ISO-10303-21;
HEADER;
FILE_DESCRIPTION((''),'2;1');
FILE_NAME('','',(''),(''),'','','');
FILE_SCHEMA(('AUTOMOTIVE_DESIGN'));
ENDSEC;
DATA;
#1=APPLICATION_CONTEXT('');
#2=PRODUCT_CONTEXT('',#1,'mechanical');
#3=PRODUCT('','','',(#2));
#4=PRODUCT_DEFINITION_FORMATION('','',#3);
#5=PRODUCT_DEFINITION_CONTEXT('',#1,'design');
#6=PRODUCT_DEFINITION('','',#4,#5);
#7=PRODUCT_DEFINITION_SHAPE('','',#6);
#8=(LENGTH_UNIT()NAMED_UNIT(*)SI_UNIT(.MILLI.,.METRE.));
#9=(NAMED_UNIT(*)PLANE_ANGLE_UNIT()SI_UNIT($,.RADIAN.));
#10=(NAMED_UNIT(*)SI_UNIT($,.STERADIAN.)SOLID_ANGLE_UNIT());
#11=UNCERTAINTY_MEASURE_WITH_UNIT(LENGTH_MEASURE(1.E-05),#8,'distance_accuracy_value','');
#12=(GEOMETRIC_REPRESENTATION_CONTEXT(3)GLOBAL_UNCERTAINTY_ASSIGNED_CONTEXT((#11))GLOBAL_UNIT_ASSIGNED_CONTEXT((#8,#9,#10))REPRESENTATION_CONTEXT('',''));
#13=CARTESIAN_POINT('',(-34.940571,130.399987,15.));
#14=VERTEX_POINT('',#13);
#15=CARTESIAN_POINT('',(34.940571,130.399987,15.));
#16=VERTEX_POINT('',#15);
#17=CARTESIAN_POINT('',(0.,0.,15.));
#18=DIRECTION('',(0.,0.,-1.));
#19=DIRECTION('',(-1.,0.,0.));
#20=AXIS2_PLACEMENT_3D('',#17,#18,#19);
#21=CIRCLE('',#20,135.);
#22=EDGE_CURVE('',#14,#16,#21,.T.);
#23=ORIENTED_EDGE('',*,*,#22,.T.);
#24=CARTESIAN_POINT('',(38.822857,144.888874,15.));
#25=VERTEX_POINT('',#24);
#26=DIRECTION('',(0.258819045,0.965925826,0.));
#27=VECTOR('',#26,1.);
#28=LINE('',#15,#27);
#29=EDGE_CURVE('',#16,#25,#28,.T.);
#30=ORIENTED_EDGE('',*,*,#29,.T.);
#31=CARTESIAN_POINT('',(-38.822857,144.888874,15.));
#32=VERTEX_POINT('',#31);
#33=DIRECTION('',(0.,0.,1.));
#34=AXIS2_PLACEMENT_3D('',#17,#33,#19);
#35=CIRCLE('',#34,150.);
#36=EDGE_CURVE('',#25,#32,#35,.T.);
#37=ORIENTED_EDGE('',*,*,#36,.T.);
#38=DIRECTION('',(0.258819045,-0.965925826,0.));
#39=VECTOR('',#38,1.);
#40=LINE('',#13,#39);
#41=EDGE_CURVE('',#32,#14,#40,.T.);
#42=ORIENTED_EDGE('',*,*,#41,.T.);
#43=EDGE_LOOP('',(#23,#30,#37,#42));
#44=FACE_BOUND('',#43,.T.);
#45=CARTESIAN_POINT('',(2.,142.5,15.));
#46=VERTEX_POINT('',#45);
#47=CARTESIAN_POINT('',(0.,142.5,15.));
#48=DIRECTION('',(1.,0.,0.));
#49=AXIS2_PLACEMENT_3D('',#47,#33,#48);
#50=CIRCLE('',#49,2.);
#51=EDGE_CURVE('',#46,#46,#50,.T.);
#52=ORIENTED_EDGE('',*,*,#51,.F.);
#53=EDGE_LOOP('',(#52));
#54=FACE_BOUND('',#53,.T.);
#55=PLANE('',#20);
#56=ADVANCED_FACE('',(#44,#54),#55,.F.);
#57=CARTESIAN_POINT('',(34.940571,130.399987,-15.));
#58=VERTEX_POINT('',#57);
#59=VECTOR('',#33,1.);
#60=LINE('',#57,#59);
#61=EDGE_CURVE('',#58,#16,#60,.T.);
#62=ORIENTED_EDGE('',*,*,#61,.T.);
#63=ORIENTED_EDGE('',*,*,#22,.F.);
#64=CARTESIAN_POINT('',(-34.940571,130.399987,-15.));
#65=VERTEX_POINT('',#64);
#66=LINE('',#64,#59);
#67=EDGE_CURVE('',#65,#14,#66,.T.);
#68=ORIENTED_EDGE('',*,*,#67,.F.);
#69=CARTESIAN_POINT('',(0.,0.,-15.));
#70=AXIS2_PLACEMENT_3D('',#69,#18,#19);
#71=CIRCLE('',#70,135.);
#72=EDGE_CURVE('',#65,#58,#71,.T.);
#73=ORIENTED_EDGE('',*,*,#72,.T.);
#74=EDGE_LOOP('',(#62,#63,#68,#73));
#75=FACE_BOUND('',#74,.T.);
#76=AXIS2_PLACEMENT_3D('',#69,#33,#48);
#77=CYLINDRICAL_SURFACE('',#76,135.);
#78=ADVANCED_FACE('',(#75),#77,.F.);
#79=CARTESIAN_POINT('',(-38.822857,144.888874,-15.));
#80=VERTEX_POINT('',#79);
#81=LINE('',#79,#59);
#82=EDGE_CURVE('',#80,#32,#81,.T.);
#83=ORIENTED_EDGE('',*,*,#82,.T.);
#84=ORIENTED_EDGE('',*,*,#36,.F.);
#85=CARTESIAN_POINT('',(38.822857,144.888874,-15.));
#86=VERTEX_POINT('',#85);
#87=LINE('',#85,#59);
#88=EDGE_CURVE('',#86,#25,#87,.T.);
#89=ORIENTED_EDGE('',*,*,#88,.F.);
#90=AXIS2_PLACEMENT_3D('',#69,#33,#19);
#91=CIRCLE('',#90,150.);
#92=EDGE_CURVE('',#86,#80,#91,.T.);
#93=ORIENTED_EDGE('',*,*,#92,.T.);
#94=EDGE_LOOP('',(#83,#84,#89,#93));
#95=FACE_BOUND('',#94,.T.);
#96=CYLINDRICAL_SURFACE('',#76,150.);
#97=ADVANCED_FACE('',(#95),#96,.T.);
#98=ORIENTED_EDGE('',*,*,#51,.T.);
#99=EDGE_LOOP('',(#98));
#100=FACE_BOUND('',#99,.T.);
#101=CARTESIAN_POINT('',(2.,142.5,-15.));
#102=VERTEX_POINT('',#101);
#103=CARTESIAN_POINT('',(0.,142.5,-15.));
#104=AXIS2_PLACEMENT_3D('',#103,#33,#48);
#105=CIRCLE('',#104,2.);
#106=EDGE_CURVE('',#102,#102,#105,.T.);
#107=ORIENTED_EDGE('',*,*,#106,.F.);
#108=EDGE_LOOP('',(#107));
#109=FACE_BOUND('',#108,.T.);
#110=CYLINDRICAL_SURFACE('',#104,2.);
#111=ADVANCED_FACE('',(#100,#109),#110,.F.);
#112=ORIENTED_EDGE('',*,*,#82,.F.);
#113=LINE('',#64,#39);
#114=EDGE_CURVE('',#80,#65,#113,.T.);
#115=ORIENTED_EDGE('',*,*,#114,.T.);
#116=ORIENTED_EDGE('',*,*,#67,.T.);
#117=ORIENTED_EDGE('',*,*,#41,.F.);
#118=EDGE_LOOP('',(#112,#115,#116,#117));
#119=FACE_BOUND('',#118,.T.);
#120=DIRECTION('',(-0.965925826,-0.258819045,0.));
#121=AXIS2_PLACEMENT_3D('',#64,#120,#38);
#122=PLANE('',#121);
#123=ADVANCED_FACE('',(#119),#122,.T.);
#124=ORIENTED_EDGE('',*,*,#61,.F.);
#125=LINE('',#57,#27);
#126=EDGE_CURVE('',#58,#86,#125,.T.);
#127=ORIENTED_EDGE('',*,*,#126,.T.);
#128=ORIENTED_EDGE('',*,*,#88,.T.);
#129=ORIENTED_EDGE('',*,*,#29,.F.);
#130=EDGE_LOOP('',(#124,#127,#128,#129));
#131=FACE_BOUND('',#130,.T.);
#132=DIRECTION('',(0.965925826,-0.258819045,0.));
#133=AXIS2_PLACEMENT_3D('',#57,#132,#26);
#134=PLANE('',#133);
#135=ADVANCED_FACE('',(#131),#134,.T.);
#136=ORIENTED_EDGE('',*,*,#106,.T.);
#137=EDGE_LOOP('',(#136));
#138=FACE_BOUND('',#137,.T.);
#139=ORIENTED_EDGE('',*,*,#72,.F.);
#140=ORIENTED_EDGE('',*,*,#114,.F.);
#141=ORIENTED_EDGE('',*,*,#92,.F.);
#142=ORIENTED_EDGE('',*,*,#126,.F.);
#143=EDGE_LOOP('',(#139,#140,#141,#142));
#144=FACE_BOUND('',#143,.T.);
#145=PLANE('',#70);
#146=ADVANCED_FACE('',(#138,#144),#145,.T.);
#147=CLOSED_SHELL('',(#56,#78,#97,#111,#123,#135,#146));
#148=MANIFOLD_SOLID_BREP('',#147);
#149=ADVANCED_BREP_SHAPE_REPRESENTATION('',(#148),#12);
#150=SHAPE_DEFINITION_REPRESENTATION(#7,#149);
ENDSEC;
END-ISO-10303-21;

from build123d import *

# Parameters (mm, degrees)
BOSS_EXTRUDE1_DEPTH      = 15
BOSS_EXTRUDE1_DEPTH_BACK = 15
SKETCH1_R                = 2


with BuildPart() as part:
    # Sketch1 → Boss-Extrude1 (new, two sides: drawn at the far end of the back side and taken through both)
    with BuildSketch(Plane.XY.offset(-BOSS_EXTRUDE1_DEPTH_BACK)):
        with BuildLine():
            Line((-34.940571089, 130.399986549), (-38.822856765, 144.888873943))
            ThreePointArc((-38.822856765, 144.888873943), (0, 150), (38.822856765, 144.888873943))
            Line((38.822856765, 144.888873943), (34.940571089, 130.399986549))
            ThreePointArc((34.940571089, 130.399986549), (0, 135), (-34.940571089, 130.399986549))
        make_face()
        with Locations((0, 142.5)):
            Circle(SKETCH1_R, mode=Mode.SUBTRACT)
    extrude(amount=BOSS_EXTRUDE1_DEPTH + BOSS_EXTRUDE1_DEPTH_BACK)


solid = part.part
